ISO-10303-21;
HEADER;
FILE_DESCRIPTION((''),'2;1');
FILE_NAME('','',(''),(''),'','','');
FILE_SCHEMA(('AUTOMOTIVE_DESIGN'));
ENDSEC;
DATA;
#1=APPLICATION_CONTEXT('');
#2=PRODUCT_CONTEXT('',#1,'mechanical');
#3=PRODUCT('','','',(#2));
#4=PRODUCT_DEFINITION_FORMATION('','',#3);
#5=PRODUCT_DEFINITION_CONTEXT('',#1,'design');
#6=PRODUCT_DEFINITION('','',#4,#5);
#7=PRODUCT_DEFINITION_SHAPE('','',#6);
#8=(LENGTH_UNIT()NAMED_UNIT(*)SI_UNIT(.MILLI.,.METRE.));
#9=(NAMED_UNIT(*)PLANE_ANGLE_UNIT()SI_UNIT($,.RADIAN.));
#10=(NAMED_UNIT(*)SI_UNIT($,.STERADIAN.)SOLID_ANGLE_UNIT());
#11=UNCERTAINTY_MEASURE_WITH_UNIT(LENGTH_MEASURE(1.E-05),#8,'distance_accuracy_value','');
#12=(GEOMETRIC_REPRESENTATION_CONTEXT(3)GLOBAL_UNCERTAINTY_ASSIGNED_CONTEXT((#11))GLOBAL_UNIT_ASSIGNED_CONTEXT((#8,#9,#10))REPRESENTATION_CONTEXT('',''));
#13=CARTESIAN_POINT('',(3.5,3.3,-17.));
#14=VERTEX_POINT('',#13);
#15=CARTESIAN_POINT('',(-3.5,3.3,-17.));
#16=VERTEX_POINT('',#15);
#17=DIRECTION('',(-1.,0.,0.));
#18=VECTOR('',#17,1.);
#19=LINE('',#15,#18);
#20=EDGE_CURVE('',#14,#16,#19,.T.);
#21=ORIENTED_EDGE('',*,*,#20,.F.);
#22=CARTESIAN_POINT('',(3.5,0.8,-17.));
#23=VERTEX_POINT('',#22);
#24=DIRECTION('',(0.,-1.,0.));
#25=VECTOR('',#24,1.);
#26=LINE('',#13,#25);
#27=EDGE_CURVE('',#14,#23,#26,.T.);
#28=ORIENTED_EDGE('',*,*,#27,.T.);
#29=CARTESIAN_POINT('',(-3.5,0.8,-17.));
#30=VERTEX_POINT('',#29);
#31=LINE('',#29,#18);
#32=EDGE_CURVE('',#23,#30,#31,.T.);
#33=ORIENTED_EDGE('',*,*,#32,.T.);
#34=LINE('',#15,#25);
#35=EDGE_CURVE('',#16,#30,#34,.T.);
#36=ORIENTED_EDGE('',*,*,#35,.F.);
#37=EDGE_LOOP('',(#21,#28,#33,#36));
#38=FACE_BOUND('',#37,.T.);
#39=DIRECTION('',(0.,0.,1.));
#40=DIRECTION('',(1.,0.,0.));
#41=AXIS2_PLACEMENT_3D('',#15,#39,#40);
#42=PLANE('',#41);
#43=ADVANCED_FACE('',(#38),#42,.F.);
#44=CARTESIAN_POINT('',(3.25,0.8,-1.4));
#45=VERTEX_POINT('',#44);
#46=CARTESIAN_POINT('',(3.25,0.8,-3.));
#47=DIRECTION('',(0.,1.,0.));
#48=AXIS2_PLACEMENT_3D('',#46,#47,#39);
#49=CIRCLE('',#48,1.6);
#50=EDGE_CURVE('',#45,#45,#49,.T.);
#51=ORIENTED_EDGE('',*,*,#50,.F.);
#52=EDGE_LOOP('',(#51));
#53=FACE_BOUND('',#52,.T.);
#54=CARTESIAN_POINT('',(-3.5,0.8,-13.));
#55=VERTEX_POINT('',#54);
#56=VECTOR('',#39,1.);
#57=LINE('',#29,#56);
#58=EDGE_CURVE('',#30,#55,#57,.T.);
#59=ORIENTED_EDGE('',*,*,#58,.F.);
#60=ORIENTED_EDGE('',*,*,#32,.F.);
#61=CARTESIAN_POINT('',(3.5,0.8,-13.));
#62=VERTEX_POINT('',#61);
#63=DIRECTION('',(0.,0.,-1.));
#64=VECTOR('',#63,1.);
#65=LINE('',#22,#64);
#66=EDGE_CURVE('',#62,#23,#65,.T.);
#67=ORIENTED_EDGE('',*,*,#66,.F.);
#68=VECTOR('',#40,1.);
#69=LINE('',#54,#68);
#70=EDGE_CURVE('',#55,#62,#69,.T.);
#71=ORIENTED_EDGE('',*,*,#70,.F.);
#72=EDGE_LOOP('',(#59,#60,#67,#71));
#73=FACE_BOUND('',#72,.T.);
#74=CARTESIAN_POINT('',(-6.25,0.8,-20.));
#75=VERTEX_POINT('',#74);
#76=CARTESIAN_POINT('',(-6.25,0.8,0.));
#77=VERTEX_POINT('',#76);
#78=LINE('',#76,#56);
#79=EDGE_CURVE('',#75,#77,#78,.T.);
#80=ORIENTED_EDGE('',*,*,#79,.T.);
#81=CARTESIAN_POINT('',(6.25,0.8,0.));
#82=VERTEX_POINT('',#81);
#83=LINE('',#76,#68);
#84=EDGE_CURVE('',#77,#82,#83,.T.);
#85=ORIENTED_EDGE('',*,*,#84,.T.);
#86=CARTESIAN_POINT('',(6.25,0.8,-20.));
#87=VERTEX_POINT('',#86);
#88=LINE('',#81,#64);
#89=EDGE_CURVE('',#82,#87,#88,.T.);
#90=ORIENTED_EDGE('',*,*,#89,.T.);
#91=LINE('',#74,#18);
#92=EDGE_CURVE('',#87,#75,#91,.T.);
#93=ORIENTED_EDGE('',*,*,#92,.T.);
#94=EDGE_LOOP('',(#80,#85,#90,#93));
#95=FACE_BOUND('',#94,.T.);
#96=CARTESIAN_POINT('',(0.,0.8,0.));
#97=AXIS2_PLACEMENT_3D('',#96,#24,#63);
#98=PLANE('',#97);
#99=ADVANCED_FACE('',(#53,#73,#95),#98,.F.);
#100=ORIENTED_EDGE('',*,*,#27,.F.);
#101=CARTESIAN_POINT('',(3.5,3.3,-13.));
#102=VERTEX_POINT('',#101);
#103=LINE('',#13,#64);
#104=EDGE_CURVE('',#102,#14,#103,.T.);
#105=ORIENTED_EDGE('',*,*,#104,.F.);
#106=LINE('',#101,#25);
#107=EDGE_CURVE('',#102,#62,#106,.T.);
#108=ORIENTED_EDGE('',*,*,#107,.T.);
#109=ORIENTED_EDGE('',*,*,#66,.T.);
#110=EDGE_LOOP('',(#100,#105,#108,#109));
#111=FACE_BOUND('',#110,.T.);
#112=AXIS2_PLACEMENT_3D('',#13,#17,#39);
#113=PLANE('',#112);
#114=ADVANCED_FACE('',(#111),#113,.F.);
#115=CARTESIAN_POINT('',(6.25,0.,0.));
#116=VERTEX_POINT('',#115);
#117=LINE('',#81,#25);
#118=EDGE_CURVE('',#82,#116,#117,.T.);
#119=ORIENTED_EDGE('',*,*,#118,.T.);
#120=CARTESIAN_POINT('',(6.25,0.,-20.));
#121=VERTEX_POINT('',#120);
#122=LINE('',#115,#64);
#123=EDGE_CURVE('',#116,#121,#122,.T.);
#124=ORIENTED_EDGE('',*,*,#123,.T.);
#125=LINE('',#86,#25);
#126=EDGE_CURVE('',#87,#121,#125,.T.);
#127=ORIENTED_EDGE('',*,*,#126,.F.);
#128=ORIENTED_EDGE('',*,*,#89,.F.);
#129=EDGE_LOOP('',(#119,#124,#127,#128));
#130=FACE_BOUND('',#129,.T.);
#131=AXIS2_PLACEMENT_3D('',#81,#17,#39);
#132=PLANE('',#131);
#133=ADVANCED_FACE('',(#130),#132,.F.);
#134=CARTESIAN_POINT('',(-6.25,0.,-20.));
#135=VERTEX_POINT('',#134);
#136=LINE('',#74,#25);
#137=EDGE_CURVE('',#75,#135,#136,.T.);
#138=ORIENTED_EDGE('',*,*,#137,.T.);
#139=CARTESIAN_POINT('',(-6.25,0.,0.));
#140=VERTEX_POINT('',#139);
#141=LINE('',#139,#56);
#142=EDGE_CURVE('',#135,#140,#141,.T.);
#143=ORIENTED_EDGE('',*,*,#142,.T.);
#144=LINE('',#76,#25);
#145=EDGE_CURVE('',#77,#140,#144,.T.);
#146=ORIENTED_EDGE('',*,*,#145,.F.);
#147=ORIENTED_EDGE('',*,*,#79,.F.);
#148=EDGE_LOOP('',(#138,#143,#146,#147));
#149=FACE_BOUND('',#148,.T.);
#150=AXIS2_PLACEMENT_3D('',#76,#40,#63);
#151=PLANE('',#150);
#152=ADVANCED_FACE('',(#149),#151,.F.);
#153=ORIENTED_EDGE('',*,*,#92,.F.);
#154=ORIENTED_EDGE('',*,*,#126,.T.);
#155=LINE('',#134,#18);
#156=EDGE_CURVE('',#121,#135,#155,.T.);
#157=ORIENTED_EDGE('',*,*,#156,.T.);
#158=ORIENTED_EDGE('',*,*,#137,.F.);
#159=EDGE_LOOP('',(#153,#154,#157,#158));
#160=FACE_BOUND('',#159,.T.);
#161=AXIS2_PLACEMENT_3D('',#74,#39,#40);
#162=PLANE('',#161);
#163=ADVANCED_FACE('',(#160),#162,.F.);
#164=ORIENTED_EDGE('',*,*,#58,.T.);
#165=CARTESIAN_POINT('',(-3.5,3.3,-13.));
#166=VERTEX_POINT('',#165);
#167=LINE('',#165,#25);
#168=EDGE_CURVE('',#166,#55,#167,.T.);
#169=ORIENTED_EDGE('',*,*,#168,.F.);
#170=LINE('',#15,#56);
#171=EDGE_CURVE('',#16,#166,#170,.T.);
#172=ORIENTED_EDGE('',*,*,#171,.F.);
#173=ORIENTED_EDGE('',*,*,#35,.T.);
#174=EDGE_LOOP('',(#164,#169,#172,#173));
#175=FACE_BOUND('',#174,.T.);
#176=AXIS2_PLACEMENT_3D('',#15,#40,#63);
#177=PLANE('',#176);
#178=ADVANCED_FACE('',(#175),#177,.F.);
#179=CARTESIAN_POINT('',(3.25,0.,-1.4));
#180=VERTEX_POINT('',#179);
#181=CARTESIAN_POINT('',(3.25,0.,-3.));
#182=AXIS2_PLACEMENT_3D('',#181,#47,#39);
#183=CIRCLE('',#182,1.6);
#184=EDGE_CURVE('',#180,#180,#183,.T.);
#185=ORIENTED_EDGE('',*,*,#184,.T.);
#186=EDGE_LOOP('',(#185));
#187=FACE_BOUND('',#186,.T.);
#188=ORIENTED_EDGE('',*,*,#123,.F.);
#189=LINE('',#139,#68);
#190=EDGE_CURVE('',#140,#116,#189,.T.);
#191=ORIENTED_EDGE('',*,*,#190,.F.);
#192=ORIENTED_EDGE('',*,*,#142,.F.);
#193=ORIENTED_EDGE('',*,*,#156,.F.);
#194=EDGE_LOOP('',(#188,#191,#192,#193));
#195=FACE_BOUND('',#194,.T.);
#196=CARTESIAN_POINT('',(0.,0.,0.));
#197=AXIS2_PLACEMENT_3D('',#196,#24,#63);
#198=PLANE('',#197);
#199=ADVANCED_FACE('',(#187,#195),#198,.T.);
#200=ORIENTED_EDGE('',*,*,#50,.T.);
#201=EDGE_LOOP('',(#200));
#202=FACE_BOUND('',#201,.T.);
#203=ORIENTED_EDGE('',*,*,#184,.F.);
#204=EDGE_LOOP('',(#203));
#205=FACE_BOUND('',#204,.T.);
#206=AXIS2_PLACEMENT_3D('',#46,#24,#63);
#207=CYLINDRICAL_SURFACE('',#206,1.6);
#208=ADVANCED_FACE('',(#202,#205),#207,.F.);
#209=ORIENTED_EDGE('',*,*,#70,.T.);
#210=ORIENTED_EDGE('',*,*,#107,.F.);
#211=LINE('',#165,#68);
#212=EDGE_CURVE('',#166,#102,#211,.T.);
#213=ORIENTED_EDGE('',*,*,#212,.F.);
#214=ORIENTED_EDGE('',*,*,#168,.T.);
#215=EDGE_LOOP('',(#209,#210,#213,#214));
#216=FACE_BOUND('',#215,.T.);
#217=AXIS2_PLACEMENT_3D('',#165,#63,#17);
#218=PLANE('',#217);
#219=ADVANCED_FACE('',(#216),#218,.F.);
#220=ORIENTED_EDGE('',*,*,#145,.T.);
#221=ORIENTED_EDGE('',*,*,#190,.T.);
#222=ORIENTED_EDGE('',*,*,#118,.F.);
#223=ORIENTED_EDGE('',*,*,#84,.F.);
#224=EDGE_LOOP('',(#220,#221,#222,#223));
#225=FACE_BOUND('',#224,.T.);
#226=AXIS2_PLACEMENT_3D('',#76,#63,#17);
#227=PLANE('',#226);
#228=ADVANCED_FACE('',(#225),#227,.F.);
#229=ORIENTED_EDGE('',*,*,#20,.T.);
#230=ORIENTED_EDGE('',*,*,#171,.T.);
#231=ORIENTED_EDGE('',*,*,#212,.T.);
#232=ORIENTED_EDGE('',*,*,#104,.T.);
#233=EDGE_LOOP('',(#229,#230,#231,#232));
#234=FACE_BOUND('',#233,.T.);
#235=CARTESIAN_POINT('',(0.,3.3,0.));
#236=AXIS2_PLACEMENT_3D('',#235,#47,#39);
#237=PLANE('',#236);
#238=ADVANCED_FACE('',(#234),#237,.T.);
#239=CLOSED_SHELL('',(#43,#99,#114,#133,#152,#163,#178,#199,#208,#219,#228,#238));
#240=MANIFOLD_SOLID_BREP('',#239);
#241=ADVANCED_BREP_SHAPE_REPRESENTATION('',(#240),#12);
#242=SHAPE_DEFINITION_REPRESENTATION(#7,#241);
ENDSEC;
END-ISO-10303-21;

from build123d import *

# Parameters (mm, degrees)
SKETCH1_W           = 12.5
SKETCH1_H           = 20
SKETCH1_R           = 1.6
BOSS_EXTRUDE1_DEPTH = 0.8
SKETCH2_W           = 7
SKETCH2_H           = 4
BOSS_EXTRUDE2_DEPTH = 2.5


with BuildPart() as part:
    # Sketch1 → Boss-Extrude1 (new body)
    with BuildSketch(Plane(origin=(0, 0, 0), x_dir=(1, 0, 0), z_dir=(0, 1, 0))):
        with Locations((0, 10)):
            Rectangle(SKETCH1_W, SKETCH1_H)
        with Locations(Location((3.25, 3, 0), (0, 0, 270))):
            Circle(SKETCH1_R, mode=Mode.SUBTRACT)
    extrude(amount=BOSS_EXTRUDE1_DEPTH)

    # Sketch2 → Boss-Extrude2 (add)
    with BuildSketch(Plane(origin=(0, 0.8, 0), x_dir=(1, 0, 0), z_dir=(0, 1, 0))):
        with Locations((0, 15)):
            Rectangle(SKETCH2_W, SKETCH2_H)
    extrude(amount=BOSS_EXTRUDE2_DEPTH)


solid = part.part
